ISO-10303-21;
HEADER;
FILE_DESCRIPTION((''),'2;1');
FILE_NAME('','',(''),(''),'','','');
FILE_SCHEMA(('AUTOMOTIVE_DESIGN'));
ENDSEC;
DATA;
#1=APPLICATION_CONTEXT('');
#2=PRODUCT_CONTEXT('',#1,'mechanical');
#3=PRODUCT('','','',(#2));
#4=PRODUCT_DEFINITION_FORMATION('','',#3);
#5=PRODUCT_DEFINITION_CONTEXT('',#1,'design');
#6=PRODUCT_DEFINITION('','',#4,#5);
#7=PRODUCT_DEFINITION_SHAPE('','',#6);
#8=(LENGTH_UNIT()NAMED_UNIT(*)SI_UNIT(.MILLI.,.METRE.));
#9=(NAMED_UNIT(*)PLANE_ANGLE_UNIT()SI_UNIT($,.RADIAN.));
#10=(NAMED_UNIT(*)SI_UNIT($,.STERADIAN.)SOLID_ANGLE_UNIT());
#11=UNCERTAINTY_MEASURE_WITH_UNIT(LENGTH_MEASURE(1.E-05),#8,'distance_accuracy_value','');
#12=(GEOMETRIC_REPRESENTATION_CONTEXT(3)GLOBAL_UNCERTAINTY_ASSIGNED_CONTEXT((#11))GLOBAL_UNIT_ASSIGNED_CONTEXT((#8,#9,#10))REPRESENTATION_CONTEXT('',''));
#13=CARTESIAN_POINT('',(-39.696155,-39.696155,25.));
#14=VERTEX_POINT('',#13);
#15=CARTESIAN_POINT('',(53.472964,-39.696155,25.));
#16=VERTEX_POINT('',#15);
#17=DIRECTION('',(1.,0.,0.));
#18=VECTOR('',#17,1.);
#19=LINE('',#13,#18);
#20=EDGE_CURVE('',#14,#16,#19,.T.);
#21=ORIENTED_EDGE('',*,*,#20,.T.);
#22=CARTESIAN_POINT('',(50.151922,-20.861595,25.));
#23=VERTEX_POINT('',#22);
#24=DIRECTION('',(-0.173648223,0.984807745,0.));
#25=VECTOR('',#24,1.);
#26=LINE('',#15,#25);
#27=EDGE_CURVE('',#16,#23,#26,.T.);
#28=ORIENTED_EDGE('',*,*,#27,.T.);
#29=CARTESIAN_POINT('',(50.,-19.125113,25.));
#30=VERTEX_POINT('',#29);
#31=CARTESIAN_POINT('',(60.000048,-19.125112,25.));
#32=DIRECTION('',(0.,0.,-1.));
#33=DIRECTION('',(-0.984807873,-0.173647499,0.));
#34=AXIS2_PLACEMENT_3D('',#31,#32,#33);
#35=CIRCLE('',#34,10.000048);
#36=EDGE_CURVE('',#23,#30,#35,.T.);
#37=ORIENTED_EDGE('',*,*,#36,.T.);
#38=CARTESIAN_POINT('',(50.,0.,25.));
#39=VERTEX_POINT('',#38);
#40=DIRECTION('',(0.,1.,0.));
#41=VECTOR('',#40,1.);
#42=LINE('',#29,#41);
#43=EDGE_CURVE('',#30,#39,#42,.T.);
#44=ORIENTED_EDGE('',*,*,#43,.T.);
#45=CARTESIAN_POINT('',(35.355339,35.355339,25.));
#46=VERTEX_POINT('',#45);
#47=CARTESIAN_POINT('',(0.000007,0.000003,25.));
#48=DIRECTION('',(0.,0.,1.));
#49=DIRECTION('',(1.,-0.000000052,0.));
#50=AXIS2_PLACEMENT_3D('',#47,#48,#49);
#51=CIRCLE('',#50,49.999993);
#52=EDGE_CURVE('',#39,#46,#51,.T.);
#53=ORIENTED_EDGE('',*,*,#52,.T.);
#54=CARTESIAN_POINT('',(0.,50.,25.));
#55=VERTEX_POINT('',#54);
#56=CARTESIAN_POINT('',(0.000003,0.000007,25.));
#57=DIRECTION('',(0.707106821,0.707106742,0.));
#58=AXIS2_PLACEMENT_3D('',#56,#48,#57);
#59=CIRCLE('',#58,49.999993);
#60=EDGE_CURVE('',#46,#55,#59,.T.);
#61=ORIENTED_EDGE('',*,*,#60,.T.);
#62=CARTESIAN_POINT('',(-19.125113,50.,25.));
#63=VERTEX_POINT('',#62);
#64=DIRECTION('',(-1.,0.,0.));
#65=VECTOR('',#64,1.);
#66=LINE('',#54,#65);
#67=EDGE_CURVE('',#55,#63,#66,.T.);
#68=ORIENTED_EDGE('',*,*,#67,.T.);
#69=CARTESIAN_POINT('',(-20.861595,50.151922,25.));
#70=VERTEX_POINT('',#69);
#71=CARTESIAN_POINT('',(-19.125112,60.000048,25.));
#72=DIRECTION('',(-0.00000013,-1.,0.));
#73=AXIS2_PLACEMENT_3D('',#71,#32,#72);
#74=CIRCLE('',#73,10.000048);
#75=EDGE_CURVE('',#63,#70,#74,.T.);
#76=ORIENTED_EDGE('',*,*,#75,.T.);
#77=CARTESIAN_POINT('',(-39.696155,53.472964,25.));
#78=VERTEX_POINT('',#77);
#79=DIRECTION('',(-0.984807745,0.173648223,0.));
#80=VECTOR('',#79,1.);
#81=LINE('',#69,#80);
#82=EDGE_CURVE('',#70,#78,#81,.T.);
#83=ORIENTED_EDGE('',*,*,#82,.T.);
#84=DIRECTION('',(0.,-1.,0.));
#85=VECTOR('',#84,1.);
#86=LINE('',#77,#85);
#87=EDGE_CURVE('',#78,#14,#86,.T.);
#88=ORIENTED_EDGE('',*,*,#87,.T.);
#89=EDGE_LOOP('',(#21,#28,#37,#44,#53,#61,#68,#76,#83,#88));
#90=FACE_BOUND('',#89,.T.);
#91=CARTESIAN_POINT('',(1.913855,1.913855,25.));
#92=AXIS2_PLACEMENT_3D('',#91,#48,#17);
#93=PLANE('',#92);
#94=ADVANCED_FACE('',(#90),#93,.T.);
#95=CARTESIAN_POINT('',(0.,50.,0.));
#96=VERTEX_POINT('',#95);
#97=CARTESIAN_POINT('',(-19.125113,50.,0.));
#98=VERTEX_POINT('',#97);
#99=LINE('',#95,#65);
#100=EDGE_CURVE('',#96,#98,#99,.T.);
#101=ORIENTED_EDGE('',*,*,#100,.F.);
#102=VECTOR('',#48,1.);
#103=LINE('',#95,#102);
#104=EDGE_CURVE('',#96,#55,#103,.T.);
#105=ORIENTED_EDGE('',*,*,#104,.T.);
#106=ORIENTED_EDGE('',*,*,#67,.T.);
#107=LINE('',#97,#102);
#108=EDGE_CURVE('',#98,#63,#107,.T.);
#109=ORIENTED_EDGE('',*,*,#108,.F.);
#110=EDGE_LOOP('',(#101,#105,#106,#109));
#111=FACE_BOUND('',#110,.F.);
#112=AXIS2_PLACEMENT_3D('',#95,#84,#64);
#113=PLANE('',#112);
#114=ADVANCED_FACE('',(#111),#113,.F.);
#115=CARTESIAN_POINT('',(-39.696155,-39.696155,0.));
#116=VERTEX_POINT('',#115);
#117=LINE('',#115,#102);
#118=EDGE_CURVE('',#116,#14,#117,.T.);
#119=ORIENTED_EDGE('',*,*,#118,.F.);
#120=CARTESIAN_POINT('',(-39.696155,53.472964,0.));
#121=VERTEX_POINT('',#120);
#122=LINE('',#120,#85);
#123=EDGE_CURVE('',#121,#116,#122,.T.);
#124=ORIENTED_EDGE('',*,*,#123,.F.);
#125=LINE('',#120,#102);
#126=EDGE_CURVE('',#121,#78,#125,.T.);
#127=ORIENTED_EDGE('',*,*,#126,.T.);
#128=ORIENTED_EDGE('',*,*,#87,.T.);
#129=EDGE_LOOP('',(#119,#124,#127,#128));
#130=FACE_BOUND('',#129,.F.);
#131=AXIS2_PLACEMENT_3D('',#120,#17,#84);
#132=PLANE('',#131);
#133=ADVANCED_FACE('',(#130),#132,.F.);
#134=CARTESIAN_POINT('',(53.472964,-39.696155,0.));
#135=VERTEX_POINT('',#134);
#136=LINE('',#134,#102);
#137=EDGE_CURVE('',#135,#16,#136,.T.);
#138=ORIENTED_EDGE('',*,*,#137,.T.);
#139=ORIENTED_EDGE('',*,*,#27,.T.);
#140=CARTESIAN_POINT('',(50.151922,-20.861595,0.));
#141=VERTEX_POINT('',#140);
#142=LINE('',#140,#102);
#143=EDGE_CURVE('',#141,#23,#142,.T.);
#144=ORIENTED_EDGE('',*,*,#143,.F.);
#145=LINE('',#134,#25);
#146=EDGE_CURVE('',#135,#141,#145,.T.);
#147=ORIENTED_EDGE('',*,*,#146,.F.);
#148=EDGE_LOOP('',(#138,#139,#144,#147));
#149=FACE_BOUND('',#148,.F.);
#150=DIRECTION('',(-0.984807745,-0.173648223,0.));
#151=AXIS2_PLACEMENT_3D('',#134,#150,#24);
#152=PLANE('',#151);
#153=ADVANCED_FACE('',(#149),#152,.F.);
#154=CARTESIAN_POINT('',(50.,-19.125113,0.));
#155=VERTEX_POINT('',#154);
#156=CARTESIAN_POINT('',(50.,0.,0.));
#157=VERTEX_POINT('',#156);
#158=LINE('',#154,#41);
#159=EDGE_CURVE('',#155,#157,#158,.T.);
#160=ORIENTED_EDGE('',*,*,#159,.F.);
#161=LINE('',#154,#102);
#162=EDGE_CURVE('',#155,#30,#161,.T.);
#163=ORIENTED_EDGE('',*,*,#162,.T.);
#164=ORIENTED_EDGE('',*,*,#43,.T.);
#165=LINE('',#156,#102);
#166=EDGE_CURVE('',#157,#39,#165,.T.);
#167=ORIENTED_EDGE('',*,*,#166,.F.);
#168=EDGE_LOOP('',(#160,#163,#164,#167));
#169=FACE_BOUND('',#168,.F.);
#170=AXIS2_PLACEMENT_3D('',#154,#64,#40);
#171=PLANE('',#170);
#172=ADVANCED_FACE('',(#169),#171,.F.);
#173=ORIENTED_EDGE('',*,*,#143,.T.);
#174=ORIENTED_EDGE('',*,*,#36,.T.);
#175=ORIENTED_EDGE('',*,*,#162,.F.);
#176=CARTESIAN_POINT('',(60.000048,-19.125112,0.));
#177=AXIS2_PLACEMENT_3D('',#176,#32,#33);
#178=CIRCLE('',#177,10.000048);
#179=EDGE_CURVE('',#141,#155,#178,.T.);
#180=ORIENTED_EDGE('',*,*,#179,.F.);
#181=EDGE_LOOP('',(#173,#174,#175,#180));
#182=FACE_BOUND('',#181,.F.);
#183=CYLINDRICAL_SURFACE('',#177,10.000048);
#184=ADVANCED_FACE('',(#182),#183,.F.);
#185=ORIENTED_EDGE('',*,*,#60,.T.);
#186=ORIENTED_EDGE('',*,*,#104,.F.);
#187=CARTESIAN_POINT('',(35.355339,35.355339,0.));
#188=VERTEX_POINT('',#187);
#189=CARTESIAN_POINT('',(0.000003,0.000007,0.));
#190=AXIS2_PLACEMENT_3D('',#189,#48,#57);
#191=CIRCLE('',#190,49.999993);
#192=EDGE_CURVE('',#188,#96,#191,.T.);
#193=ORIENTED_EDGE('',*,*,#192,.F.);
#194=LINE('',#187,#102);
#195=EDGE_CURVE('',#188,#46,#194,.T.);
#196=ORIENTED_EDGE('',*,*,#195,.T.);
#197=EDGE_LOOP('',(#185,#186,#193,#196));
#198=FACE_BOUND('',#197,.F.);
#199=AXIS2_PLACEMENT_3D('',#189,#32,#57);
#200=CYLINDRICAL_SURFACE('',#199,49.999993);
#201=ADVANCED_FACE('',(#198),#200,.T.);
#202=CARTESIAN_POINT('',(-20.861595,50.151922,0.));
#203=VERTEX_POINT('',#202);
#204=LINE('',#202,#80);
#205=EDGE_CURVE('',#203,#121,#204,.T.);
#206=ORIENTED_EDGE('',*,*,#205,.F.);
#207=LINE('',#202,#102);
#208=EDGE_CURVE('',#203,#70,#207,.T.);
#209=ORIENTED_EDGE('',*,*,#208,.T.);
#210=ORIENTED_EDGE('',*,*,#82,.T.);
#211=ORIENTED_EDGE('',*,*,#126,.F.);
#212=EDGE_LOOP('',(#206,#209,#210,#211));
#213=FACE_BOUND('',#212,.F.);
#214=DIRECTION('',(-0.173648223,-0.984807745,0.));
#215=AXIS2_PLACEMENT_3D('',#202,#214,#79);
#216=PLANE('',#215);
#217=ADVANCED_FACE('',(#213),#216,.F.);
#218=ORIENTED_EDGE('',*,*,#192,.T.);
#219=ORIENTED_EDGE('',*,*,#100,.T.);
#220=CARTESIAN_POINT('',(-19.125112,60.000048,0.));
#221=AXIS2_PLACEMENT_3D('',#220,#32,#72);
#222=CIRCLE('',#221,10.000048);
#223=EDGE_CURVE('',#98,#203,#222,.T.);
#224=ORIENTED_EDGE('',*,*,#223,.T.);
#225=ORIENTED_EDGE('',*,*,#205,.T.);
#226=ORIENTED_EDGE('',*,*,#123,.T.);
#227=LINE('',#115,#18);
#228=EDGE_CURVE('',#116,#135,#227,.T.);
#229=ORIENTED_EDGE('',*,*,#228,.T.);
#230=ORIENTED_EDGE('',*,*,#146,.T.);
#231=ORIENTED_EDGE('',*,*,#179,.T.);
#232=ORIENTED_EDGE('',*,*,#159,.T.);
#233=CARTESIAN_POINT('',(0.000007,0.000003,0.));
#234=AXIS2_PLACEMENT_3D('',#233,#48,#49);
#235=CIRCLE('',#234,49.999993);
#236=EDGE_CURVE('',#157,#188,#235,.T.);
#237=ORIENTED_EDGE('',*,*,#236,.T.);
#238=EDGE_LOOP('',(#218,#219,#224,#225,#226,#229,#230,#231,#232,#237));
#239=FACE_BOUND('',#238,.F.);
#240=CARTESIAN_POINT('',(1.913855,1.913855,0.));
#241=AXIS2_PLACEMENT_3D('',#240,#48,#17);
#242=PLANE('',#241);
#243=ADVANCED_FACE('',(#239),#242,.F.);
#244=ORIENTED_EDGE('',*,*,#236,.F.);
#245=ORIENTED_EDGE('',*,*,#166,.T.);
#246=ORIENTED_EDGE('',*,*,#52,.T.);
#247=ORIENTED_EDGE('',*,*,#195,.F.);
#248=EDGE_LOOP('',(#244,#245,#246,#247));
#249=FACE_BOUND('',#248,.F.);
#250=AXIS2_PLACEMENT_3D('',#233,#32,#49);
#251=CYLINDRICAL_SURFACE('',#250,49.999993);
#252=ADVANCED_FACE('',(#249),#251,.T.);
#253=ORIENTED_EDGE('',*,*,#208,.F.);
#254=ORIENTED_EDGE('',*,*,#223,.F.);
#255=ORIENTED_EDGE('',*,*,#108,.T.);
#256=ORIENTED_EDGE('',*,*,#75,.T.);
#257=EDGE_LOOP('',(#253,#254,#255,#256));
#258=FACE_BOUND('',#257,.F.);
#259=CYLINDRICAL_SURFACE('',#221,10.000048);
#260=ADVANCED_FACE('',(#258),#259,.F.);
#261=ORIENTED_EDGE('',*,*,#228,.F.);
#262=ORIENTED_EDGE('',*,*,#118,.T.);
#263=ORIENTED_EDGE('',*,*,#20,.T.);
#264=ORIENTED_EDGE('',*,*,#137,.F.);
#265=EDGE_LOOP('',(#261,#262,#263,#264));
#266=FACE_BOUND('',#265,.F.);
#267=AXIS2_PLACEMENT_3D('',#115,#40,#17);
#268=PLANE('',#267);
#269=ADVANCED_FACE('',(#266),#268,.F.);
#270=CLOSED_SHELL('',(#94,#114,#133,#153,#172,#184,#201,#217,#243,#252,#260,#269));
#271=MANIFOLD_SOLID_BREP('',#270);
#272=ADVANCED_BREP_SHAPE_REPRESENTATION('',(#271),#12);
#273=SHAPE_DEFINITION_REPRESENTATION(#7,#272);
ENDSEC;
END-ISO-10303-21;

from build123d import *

# Parameters (mm, degrees)
F1_DEPTH = 25


with BuildPart() as f1:
    # F0 (on Top) → F1 (new body)
    with BuildSketch(Plane.XY):
        with BuildLine():
            Line((50, -19.125113), (50, 0))
            ThreePointArc((50, 0), (46.193977, 19.134172), (35.355339, 35.355339))
            ThreePointArc((35.355339, 35.355339), (19.134172, 46.193977), (0, 50))
            Line((0, 50), (-19.125113, 50))
            ThreePointArc((-19.125113, 50), (-19.996671, 50.038053), (-20.861595, 50.151922))
            Line((-20.861595, 50.151922), (-39.696155, 53.472964))
            Line((-39.696155, 53.472964), (-39.696155, -39.696155))
            Line((-39.696155, -39.696155), (53.472964, -39.696155))
            Line((53.472964, -39.696155), (50.151922, -20.861595))
            ThreePointArc((50.151922, -20.861595), (50.038053, -19.996671), (50, -19.125113))
        make_face()
    extrude(amount=F1_DEPTH)


solid = f1.part
